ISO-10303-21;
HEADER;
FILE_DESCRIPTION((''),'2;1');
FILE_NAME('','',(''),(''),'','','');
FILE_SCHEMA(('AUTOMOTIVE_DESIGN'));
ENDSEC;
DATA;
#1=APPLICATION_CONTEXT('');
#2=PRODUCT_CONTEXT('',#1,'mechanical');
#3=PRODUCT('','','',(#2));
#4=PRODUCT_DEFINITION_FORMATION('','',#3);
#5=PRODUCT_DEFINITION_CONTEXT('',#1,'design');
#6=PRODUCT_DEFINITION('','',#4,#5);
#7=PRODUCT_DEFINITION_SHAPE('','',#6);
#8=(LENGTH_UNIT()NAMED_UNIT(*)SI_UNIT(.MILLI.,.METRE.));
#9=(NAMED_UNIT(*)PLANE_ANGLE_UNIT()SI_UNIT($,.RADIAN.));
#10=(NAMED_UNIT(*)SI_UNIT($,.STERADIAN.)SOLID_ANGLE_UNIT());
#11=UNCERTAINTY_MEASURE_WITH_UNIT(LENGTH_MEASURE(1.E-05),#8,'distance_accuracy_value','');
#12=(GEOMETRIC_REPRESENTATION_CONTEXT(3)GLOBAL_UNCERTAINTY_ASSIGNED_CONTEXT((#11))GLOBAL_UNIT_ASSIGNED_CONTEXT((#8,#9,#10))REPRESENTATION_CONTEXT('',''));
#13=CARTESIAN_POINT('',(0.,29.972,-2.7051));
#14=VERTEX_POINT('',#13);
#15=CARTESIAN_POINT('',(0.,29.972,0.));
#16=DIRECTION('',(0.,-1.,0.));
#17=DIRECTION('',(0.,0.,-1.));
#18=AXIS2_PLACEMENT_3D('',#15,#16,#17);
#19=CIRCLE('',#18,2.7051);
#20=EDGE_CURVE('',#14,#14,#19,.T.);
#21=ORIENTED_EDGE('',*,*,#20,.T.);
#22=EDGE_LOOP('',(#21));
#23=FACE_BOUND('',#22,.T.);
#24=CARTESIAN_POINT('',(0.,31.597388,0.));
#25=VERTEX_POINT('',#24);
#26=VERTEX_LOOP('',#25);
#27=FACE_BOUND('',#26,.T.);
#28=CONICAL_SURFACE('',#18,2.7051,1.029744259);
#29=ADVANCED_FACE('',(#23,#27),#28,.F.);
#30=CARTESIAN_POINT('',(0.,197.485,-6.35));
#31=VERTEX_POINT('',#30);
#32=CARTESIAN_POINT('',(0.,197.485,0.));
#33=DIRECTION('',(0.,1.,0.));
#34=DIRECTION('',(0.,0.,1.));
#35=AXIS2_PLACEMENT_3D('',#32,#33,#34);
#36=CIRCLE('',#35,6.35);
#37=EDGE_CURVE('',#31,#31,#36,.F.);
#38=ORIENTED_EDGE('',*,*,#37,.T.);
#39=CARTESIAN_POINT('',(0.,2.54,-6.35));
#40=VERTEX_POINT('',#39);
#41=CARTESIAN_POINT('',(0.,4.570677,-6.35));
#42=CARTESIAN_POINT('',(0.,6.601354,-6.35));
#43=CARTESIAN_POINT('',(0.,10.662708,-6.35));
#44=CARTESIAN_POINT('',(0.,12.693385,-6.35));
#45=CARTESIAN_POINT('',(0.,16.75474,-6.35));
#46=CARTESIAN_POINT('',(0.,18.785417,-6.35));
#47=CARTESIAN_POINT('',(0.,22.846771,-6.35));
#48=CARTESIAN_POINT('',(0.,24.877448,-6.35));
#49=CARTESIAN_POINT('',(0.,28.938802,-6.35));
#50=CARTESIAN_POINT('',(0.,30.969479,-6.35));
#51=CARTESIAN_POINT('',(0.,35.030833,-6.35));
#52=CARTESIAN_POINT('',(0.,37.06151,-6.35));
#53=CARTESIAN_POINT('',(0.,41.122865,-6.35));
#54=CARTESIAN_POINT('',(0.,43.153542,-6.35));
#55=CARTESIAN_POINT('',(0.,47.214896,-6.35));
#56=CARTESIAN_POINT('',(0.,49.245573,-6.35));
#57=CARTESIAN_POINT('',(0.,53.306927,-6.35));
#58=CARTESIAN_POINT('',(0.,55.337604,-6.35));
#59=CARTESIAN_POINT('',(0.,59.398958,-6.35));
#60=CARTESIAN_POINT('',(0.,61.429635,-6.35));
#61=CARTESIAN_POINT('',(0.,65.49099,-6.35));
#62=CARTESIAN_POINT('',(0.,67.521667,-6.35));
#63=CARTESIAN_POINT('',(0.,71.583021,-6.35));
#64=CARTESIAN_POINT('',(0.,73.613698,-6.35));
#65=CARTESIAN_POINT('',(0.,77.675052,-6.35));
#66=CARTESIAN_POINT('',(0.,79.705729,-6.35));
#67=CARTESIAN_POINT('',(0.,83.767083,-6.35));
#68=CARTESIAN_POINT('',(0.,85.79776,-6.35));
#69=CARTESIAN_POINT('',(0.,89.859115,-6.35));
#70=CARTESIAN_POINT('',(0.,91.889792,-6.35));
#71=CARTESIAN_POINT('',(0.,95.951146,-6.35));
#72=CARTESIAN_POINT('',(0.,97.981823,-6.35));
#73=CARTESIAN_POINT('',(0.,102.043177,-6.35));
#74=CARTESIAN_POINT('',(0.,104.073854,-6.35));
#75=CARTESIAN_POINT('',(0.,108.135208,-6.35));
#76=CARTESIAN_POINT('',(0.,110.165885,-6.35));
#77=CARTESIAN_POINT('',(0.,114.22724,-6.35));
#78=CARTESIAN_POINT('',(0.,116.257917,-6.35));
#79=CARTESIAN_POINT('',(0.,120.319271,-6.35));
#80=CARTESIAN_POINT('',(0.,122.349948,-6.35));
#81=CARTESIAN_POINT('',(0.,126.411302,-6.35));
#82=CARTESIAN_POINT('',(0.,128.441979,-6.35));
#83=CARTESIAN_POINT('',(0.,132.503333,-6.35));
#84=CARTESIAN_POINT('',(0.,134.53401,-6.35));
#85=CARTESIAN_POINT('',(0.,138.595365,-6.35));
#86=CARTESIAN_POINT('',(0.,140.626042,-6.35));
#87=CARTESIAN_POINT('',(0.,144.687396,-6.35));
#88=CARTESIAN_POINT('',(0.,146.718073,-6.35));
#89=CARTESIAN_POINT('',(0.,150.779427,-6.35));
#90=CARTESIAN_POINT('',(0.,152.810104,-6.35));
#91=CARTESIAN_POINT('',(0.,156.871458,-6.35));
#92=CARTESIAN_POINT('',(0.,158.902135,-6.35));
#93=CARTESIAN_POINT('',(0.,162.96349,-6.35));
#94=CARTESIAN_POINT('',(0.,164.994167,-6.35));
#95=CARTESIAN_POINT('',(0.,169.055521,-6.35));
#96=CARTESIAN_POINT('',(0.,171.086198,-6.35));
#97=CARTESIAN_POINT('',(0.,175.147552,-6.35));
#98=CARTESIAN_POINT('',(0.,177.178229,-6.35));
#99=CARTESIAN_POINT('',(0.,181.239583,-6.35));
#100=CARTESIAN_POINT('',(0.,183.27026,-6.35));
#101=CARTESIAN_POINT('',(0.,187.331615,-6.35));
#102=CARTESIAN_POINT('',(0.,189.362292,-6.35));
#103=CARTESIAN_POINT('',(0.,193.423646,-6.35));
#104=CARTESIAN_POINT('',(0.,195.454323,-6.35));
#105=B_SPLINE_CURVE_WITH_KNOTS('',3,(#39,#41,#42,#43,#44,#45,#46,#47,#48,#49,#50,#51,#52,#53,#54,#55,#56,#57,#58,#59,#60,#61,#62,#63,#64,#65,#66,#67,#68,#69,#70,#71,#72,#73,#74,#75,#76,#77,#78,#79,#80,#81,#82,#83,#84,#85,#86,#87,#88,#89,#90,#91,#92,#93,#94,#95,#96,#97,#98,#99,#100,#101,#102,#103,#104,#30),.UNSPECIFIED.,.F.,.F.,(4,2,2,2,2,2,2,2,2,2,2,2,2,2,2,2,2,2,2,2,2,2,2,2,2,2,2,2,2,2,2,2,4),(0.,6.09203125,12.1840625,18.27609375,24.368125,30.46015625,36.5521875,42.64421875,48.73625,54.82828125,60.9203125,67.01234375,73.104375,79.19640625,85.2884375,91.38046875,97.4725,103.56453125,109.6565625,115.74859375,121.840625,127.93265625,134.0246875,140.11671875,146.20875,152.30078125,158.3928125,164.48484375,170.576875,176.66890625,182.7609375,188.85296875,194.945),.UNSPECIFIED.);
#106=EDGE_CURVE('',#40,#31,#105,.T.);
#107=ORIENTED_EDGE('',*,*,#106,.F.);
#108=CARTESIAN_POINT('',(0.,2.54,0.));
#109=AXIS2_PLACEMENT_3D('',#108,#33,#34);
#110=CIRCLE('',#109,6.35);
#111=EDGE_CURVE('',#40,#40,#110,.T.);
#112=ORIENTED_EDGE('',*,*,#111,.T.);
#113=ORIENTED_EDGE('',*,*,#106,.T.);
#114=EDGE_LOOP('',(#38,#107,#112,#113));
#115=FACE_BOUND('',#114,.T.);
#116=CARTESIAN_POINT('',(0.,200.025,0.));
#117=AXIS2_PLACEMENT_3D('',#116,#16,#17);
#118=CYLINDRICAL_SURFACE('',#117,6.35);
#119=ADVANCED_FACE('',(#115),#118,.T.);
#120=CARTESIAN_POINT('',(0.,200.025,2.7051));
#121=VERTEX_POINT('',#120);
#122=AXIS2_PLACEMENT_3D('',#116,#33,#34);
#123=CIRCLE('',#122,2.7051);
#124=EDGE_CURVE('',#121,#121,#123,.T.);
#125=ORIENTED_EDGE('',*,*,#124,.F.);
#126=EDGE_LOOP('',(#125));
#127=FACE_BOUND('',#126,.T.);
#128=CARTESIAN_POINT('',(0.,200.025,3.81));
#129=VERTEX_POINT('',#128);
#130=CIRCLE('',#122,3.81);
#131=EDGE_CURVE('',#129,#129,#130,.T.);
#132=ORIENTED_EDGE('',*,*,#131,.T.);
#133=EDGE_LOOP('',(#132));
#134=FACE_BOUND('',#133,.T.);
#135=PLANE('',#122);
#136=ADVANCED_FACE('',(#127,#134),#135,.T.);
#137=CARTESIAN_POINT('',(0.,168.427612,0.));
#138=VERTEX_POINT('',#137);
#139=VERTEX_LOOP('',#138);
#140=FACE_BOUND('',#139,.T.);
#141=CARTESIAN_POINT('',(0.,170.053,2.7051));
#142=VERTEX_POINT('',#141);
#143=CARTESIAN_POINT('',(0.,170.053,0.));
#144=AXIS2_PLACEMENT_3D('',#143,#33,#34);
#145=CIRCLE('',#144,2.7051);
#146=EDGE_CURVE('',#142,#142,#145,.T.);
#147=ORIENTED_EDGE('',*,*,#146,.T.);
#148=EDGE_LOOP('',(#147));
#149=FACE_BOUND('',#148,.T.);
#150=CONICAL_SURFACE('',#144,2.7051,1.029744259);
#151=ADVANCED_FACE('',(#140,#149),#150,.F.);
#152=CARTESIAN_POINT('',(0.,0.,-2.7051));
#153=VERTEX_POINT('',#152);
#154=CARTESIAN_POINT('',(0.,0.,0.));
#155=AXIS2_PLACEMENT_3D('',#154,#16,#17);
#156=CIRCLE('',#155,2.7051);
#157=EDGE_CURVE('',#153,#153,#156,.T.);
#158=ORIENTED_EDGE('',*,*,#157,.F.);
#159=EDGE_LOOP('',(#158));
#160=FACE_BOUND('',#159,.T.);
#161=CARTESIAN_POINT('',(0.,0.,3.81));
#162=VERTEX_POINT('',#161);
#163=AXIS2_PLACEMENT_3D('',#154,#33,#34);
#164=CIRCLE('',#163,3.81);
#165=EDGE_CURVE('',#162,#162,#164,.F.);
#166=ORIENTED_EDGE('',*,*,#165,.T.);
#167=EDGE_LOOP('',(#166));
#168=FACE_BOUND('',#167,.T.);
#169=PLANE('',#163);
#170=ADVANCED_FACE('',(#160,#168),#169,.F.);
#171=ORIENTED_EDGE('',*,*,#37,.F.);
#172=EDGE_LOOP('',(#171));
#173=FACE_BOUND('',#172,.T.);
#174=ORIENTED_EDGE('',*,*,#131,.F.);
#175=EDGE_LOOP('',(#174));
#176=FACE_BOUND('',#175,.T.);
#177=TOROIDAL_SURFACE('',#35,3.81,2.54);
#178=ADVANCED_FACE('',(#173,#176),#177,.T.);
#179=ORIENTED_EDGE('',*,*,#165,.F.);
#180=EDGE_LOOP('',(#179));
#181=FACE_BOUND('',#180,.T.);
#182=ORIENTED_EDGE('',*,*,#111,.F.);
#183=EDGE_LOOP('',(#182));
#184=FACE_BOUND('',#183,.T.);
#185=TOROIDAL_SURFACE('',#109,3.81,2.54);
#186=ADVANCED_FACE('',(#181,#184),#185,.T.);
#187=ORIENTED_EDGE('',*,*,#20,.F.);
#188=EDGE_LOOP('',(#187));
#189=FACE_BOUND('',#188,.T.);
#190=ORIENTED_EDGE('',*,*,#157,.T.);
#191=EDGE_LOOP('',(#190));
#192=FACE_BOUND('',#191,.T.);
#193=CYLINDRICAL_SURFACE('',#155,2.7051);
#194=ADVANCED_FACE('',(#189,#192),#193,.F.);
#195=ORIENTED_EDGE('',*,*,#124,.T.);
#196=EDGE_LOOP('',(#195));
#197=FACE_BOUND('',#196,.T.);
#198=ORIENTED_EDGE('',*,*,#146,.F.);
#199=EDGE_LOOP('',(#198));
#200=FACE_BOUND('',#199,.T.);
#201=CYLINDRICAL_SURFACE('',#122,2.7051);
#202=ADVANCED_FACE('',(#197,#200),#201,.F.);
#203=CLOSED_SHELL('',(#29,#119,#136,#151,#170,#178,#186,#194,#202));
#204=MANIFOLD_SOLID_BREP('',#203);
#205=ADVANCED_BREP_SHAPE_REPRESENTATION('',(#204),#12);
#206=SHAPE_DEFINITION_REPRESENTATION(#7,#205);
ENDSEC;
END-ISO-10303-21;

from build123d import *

# Parameters (mm, degrees)
SKETCH1_R                   = 6.35
BOSS_EXTRUDE1_DEPTH         = 200.025
F_1_4_28_TAPPED_HOLE6_D     = 5.4102
F_1_4_28_TAPPED_HOLE6_DEPTH = 29.972
F_1_4_28_TAPPED_HOLE6_TIP   = 1.625388061
F_1_4_28_TAPPED_HOLE8_D     = 5.4102
F_1_4_28_TAPPED_HOLE8_DEPTH = 29.972
F_1_4_28_TAPPED_HOLE8_TIP   = 1.625388061
FILLET4_R                   = 2.54
FILLET5_R                   = 2.54


with BuildPart() as part:
    # Sketch1 → Boss-Extrude1 (new body)
    with BuildSketch(Plane(origin=(0, 0, 0), x_dir=(1, 0, 0), z_dir=(0, 1, 0))):
        with Locations(Location((0, 0, 0), (0, 0, 90))):
            Circle(SKETCH1_R)
    extrude(amount=BOSS_EXTRUDE1_DEPTH)

    # 1/4-28 Tapped Hole6
    with Locations(Plane.ZX.offset(200.025)):
        with Locations((0, 0)):
            Hole(F_1_4_28_TAPPED_HOLE6_D / 2, depth=F_1_4_28_TAPPED_HOLE6_DEPTH)
            with Locations((0, 0, -(F_1_4_28_TAPPED_HOLE6_DEPTH + F_1_4_28_TAPPED_HOLE6_TIP / 2))):  # 118° drill point
                Cone(0, F_1_4_28_TAPPED_HOLE6_D / 2, F_1_4_28_TAPPED_HOLE6_TIP, mode=Mode.SUBTRACT)

    # 1/4-28 Tapped Hole8
    with Locations(Plane(origin=(0, 0, 0), x_dir=(0, 0, -1), z_dir=(0, -1, 0))):
        with Locations((0, 0)):
            Hole(F_1_4_28_TAPPED_HOLE8_D / 2, depth=F_1_4_28_TAPPED_HOLE8_DEPTH)
            with Locations((0, 0, -(F_1_4_28_TAPPED_HOLE8_DEPTH + F_1_4_28_TAPPED_HOLE8_TIP / 2))):  # 118° drill point
                Cone(0, F_1_4_28_TAPPED_HOLE8_D / 2, F_1_4_28_TAPPED_HOLE8_TIP, mode=Mode.SUBTRACT)

    # Fillet4
    fillet4_edges = [part.edges().sort_by_distance(p)[0] for p in [
        (0, 200.025, 6.35),
    ]]
    fillet(fillet4_edges, radius=FILLET4_R)

    # Fillet5
    fillet5_edges = [part.edges().sort_by_distance(p)[0] for p in [
        (0, 0, 6.35),
    ]]
    fillet(fillet5_edges, radius=FILLET5_R)


solid = part.part
